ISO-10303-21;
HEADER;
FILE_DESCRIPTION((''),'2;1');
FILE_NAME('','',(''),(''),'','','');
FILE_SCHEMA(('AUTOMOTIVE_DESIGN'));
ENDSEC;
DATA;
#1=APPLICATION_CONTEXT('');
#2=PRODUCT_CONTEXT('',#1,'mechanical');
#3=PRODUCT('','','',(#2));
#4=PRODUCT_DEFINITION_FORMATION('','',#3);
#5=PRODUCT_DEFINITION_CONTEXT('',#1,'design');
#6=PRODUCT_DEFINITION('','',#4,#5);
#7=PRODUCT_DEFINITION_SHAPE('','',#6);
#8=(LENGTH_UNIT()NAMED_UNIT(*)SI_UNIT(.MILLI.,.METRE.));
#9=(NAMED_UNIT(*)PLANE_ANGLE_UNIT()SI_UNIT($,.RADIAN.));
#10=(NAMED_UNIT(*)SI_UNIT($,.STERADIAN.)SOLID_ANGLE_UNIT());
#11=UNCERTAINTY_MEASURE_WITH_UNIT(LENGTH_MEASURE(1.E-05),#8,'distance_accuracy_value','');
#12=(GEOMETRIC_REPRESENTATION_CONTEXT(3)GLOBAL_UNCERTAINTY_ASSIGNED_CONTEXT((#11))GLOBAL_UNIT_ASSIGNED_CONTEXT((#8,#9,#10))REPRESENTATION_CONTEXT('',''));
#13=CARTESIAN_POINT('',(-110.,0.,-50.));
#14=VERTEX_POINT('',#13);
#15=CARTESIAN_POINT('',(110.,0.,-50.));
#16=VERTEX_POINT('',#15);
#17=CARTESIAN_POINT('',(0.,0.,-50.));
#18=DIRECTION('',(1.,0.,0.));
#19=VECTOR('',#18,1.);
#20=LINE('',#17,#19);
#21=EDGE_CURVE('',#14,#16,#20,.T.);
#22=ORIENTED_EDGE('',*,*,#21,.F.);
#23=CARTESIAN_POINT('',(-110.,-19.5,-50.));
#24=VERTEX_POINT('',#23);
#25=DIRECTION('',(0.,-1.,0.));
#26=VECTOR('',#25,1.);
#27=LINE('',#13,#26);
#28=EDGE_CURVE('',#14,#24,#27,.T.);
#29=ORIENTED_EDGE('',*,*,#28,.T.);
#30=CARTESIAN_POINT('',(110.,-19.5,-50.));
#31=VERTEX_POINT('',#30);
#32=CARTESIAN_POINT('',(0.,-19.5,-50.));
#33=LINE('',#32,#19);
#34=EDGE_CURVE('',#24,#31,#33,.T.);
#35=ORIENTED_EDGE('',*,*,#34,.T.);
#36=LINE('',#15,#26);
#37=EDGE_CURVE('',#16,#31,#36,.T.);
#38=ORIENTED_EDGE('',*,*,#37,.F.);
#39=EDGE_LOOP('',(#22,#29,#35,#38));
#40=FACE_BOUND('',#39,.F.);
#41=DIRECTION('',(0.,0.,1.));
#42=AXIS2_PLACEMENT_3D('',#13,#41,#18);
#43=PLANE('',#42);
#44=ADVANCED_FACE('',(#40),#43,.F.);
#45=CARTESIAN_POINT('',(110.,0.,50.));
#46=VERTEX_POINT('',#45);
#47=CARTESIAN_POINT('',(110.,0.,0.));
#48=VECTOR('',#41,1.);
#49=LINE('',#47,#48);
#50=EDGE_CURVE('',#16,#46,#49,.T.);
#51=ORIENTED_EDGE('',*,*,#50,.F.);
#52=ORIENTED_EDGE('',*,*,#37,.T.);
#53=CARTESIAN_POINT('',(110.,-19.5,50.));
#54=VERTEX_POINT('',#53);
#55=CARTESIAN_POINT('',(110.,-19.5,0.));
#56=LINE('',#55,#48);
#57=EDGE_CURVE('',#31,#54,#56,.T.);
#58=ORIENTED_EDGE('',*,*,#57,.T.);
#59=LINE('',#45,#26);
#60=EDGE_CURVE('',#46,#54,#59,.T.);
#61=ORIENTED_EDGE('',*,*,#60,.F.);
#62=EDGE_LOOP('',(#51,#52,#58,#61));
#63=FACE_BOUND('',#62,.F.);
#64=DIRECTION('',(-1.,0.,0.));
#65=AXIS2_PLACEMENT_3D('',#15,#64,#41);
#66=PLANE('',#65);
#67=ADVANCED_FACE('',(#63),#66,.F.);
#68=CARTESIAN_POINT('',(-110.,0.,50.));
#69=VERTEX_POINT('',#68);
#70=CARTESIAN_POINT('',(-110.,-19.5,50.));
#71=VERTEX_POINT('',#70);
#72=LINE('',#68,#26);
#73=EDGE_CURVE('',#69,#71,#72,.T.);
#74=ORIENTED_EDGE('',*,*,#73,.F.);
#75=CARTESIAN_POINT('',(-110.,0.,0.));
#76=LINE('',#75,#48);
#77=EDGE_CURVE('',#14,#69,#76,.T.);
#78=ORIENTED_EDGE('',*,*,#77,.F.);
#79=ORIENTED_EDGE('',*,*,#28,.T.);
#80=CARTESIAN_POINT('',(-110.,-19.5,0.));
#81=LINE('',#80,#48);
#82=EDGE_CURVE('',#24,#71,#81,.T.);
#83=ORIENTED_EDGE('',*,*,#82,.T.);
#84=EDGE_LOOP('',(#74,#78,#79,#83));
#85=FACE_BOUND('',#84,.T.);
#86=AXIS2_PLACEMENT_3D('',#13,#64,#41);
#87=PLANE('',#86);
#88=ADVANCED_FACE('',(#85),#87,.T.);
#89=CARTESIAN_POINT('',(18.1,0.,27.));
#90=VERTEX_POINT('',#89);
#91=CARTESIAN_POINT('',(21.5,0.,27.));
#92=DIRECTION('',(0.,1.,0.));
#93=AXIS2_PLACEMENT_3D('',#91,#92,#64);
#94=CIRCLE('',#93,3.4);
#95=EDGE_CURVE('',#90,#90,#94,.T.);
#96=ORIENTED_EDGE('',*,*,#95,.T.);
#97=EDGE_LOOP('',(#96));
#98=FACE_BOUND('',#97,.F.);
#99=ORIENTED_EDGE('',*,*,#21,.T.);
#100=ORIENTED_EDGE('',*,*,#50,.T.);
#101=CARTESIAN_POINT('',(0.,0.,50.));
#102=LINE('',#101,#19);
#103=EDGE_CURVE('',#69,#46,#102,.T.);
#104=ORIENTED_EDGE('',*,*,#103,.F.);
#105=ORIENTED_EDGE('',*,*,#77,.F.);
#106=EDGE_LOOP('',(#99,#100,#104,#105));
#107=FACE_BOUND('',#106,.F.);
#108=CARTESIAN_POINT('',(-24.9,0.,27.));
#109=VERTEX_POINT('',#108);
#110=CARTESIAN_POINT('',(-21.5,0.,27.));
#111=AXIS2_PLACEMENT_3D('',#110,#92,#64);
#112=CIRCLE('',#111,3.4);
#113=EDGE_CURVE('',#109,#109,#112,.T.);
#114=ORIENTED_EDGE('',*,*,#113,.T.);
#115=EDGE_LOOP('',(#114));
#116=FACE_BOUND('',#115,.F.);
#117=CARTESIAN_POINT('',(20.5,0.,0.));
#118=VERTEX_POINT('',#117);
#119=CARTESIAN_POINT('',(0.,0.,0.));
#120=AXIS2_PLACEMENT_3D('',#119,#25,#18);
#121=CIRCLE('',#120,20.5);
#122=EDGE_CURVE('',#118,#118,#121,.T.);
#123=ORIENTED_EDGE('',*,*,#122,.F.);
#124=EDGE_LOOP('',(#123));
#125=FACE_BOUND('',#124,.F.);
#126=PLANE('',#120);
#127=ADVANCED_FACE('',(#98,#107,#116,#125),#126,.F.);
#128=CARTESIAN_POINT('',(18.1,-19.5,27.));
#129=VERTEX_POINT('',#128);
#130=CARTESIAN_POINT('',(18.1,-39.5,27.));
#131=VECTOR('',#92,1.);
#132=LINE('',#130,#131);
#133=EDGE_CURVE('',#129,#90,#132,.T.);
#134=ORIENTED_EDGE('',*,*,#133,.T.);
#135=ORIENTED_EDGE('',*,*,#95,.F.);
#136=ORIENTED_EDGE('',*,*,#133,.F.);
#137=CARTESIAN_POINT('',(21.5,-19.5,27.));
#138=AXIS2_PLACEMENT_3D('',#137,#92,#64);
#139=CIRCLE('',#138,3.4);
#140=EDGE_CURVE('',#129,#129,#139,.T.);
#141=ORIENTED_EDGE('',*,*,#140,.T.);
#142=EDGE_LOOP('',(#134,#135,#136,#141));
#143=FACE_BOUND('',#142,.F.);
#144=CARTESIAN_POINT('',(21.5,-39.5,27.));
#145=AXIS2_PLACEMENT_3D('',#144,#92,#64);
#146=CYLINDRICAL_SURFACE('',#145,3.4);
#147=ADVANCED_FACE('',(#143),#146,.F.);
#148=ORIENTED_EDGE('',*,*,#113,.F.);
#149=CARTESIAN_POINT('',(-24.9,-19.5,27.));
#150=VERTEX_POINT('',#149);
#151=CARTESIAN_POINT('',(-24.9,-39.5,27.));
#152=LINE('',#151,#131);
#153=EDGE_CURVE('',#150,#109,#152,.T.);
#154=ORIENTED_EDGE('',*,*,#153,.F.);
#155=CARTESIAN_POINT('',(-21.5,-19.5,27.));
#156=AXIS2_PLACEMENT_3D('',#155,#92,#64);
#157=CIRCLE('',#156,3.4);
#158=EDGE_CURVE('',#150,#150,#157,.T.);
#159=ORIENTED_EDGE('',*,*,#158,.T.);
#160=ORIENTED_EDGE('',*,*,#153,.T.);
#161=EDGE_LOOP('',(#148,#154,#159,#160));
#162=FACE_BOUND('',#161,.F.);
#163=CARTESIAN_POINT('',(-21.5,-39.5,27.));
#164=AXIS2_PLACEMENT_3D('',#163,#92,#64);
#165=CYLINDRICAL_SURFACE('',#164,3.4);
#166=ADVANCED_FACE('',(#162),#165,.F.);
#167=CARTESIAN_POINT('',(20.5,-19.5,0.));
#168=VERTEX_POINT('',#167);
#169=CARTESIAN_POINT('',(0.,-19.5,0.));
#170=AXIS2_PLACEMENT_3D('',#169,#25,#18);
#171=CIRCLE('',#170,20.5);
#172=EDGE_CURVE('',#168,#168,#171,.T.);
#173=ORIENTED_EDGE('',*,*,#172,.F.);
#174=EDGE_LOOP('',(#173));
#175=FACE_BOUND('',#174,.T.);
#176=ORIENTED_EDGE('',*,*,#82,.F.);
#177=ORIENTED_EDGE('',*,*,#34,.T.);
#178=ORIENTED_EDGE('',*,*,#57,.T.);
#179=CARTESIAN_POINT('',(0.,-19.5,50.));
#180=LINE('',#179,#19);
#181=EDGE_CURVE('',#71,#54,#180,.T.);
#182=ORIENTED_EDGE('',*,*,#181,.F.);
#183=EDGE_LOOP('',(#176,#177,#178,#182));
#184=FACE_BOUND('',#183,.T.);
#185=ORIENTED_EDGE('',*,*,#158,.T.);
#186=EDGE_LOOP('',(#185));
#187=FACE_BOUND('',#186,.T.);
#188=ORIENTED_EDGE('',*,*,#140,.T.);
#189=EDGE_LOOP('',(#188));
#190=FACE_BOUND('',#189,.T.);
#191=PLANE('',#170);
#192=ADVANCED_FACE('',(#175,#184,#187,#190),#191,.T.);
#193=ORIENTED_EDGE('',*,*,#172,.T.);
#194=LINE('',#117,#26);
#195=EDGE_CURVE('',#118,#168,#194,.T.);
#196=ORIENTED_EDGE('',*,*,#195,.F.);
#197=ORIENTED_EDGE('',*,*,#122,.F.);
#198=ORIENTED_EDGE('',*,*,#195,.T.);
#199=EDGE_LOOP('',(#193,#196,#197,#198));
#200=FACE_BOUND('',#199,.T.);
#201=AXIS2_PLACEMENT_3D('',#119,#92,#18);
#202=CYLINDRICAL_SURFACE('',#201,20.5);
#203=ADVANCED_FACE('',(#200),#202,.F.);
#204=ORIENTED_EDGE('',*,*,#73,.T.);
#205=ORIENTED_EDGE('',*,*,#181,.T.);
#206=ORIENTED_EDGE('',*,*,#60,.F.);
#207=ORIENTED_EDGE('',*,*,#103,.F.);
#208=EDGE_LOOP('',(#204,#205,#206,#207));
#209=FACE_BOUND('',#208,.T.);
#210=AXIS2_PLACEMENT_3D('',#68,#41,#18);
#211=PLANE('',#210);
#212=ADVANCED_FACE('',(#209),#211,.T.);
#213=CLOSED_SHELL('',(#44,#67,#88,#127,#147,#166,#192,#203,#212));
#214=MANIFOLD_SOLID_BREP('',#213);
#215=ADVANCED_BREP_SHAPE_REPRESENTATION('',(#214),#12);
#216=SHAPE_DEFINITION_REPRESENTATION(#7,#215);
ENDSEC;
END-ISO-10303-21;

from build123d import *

# Parameters (mm, degrees)
F0_W     = 220
F0_H     = 100
F0_R     = 20.5
F1_DEPTH = 19.5
F3_D     = 6.8
F3_DEPTH = 20
F3_TIP   = 2.0429261047


with BuildPart() as f1:
    # F0 (on Front) → F1 (new body)
    with BuildSketch(Plane.XZ):
        Rectangle(F0_W, F0_H)
        Circle(F0_R, mode=Mode.SUBTRACT)
    extrude(amount=F1_DEPTH)

    # F3
    with Locations(Plane.XZ.offset(19.5)):
        with Locations((-21.5, 27), (21.5, 27)):
            Hole(F3_D / 2, depth=F3_DEPTH)
            with Locations((0, 0, -(F3_DEPTH + F3_TIP / 2))):  # 118° drill point
                Cone(0, F3_D / 2, F3_TIP, mode=Mode.SUBTRACT)


solid = f1.part
